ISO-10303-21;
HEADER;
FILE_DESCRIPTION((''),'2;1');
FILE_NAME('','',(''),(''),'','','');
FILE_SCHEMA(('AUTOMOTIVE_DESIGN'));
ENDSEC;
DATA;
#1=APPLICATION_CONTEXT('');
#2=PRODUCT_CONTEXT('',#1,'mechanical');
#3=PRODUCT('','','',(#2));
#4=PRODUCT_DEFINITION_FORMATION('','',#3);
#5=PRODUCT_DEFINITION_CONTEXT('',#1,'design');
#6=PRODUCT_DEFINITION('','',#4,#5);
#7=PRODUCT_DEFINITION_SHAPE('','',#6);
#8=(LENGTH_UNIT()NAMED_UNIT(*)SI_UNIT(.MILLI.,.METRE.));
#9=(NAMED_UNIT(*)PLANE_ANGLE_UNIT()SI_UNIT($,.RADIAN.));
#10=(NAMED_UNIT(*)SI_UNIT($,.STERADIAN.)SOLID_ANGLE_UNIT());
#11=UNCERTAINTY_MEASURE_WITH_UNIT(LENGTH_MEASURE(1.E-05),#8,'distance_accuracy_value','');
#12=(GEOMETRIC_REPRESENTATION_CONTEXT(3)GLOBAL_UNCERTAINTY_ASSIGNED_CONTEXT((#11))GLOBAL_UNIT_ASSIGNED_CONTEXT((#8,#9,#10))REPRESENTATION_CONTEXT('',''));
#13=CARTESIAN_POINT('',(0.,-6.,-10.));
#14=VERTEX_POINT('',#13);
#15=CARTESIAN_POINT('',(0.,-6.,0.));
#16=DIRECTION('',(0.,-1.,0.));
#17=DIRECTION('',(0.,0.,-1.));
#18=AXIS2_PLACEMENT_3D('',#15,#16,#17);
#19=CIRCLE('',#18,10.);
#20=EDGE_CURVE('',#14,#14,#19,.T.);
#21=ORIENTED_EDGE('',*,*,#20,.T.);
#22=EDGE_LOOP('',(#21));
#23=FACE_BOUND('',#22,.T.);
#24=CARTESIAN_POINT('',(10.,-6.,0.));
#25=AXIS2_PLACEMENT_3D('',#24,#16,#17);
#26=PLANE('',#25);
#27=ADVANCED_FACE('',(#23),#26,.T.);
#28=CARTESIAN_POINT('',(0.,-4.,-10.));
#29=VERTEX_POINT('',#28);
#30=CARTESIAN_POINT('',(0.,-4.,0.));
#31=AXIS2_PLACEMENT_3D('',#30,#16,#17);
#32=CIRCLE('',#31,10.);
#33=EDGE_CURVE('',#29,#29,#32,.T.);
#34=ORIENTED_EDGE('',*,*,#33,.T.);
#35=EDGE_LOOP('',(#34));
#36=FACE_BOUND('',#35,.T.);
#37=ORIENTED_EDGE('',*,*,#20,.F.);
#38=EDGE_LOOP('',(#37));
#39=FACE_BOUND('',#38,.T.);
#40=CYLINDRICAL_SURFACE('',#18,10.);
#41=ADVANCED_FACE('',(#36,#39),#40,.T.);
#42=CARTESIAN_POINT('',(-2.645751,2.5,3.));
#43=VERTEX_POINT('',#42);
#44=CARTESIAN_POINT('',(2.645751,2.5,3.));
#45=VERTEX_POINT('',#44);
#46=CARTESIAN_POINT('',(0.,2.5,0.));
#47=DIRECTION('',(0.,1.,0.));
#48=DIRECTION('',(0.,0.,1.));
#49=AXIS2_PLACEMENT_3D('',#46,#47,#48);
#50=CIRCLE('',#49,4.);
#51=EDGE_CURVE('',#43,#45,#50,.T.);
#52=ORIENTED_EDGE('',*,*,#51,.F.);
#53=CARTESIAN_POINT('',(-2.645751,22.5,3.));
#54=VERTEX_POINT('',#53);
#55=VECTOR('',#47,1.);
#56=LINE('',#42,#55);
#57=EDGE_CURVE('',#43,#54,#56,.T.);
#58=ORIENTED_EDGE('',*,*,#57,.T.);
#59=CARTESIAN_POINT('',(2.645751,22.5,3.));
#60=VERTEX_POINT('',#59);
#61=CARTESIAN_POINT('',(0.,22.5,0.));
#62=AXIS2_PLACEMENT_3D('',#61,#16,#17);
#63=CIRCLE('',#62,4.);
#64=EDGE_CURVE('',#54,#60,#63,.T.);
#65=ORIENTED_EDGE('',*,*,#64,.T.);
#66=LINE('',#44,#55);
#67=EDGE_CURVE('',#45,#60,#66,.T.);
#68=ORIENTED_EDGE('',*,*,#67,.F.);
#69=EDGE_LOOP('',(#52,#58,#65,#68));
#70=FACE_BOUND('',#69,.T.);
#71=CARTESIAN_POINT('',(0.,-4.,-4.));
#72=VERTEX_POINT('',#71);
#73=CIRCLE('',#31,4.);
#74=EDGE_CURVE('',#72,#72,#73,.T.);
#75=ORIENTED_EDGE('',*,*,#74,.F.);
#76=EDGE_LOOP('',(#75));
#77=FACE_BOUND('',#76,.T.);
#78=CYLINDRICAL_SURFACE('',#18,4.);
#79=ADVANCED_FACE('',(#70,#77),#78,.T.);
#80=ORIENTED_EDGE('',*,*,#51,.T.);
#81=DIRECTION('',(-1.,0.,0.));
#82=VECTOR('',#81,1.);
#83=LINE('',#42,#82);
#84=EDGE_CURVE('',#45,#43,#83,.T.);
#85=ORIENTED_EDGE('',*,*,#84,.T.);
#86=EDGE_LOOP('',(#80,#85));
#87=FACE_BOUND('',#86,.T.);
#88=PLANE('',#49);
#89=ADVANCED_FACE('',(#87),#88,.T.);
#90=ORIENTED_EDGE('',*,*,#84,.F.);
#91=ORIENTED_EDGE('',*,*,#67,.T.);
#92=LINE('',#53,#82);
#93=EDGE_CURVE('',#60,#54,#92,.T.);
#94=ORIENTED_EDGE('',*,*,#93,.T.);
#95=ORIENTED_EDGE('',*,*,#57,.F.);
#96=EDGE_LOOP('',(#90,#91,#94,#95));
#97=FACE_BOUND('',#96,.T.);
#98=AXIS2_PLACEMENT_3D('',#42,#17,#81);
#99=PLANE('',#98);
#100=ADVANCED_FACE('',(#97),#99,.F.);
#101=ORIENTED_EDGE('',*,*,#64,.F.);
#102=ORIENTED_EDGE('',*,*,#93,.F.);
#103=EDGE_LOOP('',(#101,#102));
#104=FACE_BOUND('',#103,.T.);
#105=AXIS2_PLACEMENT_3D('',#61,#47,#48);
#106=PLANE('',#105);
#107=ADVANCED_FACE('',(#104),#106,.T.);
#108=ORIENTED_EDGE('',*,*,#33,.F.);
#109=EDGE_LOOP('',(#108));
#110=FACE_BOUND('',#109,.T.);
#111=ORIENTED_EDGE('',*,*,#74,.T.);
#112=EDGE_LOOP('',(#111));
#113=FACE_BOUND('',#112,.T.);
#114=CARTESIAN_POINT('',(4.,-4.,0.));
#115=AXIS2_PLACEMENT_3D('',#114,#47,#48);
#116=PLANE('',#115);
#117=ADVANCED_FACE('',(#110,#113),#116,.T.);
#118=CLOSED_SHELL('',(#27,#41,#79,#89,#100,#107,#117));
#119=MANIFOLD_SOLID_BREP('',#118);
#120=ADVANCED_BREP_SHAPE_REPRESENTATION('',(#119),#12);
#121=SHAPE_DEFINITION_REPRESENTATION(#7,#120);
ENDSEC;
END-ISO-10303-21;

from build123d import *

# Parameters (mm, degrees)
CUT_EXTRUDE1_START = -20
CUT_EXTRUDE1_DEPTH = 20


with BuildPart() as part:
    # Sketch1 → Revolve1 (revolve)
    with BuildSketch(Plane.XY):
        Polygon((0, 22.5), (4, 22.5), (4, -4), (10, -4), (10, -6), (0, -6), align=None)
    revolve(axis=Axis((0, -6, 0), (0, 1, 0)))

    # Sketch2 → Cut-Extrude1 (cut)
    with BuildSketch(Plane(origin=(0, 22.5, 0), x_dir=(1, 0, 0), z_dir=(0, 1, 0)).offset(CUT_EXTRUDE1_START)):
        with BuildLine():
            Line((-2.645751311, -3), (2.645751311, -3))
            ThreePointArc((2.645751311, -3), (0, -4), (-2.645751311, -3))
        make_face()
    extrude(amount=CUT_EXTRUDE1_DEPTH, mode=Mode.SUBTRACT)


solid = part.part
